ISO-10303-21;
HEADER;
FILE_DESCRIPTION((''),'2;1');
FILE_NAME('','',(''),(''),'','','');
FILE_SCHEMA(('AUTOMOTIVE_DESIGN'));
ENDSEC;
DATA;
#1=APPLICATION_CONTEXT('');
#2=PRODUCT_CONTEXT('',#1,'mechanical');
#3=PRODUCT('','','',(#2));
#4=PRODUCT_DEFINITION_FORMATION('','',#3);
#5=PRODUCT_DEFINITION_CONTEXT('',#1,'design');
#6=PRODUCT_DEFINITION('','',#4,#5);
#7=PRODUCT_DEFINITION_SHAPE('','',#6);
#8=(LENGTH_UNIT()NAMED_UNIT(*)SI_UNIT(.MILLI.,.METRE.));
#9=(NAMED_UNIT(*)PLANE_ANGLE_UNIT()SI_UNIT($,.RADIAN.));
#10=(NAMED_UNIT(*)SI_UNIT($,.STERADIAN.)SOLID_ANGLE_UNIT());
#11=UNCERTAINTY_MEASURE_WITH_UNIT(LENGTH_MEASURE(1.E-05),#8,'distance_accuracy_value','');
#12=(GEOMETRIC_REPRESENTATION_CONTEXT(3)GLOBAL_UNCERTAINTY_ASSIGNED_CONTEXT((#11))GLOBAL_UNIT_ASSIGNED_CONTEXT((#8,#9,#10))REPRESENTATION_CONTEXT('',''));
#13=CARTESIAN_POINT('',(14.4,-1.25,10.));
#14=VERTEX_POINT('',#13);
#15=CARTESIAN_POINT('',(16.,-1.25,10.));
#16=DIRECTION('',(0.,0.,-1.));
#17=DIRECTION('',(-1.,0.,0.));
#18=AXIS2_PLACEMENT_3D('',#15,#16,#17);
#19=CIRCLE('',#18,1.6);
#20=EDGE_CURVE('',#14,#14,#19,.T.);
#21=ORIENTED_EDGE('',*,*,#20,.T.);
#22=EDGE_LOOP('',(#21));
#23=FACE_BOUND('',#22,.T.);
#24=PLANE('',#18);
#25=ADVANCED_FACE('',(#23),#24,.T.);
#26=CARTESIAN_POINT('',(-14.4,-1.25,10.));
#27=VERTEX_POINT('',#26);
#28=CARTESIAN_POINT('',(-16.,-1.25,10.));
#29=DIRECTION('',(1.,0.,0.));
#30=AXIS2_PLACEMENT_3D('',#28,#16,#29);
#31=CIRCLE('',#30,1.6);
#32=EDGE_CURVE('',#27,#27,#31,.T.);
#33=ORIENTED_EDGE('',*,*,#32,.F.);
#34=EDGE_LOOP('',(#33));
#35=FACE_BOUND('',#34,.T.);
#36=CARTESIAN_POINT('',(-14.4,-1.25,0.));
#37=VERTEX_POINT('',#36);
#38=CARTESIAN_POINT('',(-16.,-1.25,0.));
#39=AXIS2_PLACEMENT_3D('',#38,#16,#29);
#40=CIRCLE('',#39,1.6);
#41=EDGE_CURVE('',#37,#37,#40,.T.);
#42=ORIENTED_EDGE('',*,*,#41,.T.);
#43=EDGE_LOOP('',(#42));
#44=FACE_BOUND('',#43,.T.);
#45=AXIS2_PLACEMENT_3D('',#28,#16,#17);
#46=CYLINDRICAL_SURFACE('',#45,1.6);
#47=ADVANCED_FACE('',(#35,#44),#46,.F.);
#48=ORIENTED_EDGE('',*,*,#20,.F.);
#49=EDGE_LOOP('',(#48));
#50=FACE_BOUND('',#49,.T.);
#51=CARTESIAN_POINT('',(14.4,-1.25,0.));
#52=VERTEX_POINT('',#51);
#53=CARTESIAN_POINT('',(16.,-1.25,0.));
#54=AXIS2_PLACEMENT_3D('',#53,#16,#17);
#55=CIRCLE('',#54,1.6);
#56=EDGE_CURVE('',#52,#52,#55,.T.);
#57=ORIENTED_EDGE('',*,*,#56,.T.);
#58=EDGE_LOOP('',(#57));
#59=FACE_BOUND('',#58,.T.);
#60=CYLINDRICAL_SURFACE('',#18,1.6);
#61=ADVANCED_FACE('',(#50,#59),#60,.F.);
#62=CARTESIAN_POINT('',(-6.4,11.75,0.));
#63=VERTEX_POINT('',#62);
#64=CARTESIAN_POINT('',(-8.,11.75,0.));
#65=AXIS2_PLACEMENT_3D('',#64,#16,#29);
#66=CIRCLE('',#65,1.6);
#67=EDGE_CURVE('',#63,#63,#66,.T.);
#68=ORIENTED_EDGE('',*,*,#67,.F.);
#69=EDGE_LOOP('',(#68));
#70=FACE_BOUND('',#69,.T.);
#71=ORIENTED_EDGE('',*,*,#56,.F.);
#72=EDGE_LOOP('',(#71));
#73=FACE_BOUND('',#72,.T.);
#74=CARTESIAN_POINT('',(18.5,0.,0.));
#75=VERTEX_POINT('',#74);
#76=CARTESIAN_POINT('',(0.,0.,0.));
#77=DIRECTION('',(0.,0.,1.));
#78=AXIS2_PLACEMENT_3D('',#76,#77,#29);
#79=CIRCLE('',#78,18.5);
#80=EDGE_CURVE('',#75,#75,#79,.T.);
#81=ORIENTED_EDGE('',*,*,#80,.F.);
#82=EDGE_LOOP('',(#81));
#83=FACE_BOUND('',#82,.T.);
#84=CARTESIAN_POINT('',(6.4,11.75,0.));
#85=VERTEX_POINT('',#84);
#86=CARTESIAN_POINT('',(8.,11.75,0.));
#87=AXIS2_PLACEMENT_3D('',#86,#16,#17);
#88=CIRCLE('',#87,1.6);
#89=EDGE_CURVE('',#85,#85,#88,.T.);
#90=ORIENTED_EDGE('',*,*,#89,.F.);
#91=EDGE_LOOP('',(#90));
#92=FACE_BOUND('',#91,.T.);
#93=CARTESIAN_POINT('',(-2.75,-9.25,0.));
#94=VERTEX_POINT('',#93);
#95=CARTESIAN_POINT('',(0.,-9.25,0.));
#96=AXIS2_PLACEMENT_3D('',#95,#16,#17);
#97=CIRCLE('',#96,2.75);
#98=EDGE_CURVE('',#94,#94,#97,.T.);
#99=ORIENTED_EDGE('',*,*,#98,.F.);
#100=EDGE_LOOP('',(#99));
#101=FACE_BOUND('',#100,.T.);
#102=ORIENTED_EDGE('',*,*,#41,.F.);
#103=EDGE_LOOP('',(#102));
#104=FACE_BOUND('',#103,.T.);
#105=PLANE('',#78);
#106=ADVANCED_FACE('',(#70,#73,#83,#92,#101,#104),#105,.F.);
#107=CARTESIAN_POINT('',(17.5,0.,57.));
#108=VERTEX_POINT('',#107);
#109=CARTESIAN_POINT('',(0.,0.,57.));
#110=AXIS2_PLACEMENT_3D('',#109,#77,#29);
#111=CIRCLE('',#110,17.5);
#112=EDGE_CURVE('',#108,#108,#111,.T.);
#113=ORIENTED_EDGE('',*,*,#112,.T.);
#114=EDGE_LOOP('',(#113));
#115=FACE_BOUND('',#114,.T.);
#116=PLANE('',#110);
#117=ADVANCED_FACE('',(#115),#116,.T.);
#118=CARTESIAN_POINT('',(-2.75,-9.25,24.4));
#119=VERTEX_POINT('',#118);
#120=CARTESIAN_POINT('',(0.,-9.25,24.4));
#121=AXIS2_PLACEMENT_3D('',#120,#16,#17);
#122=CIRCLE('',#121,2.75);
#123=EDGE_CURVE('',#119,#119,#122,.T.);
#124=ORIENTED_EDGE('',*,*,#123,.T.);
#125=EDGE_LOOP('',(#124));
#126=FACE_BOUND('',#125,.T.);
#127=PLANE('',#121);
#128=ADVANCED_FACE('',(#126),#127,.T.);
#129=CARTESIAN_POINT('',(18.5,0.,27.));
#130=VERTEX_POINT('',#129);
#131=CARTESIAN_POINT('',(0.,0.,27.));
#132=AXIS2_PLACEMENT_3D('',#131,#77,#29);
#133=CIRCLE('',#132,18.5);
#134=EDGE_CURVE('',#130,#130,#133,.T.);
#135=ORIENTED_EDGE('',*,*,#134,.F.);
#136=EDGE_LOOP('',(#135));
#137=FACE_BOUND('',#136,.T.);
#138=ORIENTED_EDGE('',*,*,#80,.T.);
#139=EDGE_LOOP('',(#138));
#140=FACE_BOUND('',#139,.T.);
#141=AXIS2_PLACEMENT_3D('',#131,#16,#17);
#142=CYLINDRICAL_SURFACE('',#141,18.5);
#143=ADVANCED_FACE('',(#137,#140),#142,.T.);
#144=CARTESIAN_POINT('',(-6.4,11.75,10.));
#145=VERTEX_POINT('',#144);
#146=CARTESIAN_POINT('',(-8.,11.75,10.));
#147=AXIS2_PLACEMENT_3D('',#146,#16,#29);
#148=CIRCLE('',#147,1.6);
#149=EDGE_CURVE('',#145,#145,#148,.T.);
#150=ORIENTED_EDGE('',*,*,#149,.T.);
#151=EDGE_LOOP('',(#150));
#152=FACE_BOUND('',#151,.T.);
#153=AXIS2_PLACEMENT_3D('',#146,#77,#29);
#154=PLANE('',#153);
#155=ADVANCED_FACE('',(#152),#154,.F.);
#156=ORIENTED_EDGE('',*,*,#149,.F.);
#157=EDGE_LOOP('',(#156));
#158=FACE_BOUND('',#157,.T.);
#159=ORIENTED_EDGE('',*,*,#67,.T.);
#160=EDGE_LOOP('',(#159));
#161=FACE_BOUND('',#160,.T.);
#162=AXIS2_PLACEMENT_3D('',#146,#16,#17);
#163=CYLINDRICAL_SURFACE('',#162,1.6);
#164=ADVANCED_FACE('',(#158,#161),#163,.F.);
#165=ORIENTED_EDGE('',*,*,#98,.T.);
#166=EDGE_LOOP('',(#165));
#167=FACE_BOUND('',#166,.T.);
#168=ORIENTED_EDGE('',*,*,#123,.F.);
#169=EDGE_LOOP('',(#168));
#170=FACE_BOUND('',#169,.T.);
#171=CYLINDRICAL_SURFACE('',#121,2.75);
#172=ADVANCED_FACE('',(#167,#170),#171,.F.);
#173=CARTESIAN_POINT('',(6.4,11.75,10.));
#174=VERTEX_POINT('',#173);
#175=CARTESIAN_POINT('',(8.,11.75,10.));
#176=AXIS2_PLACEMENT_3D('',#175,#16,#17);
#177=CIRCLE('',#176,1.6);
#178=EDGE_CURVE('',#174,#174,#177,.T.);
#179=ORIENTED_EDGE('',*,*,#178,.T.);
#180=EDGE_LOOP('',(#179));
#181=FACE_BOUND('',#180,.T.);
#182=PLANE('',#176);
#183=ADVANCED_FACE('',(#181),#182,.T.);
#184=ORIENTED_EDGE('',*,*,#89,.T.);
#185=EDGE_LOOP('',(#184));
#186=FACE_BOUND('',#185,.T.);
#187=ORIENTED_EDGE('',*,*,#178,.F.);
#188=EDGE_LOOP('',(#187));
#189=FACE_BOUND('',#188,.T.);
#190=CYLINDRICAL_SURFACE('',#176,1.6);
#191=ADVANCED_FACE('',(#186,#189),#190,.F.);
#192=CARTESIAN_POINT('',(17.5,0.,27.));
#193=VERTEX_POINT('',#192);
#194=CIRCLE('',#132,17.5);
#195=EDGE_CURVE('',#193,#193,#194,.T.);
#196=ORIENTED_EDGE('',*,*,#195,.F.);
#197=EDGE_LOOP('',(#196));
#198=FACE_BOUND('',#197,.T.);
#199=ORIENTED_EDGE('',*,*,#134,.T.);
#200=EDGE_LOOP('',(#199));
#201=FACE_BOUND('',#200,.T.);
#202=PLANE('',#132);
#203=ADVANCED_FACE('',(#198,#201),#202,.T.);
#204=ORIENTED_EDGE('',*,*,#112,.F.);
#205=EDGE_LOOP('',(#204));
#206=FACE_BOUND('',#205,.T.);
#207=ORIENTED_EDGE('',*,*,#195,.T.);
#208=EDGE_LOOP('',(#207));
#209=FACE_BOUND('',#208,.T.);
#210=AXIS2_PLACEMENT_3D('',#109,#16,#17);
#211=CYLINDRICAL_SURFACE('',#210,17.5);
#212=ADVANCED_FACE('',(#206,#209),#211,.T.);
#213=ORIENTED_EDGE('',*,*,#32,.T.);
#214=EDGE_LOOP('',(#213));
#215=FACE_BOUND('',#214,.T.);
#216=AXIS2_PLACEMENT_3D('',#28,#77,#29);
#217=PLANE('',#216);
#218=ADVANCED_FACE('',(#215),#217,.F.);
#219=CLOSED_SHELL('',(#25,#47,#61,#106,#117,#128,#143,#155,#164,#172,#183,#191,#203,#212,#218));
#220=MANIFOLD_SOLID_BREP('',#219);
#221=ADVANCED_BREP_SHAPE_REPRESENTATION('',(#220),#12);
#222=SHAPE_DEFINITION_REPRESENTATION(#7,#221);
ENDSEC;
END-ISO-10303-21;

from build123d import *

# Parameters (mm, degrees)
SKETCH_1_R          = 18.5
EXTRUDE_1_DEPTH     = 27
SKETCH_2_R          = 17.5
EXTRUDE_2_DEPTH     = 30
SKETCH_3_R          = 2.75
CUT_EXTRUDE_1_DEPTH = 24.4
SKETCH_4_R          = 1.6
SKETCH_4_R_2        = 2.75
CUT_EXTRUDE_2_DEPTH = 10


with BuildPart() as part:
    # 草图1 → 凸台-拉伸1 (new body)
    with BuildSketch(Plane.XY):
        Circle(SKETCH_1_R)
    extrude(amount=EXTRUDE_1_DEPTH)

    # 草图2 → 凸台-拉伸2 (add)
    with BuildSketch(Plane.XY.offset(27)):
        Circle(SKETCH_2_R)
    extrude(amount=EXTRUDE_2_DEPTH)

    # 草图3 → 切除-拉伸1 (cut)
    with BuildSketch(Plane(origin=(0, 0, 0), x_dir=(-1, 0, 0), z_dir=(0, 0, -1))):
        with Locations((0, -9.25)):
            Circle(SKETCH_3_R)
    extrude(amount=-CUT_EXTRUDE_1_DEPTH, mode=Mode.SUBTRACT)

    # 草图4 → 切除-拉伸2 (cut)
    with BuildSketch(Plane(origin=(0, 0, 0), x_dir=(-1, 0, 0), z_dir=(0, 0, -1))):
        with Locations((-16, -1.25)):
            Circle(SKETCH_4_R)
        with Locations((-8, 11.75)):
            Circle(SKETCH_4_R)
        with Locations((0, -9.25)):
            Circle(SKETCH_4_R_2)
        with Locations(Location((16, -1.25, 0), (0, 0, 180))):
            Circle(SKETCH_4_R)
        with Locations(Location((8, 11.75, 0), (0, 0, 180))):
            Circle(SKETCH_4_R)
    extrude(amount=-CUT_EXTRUDE_2_DEPTH, mode=Mode.SUBTRACT)


solid = part.part
